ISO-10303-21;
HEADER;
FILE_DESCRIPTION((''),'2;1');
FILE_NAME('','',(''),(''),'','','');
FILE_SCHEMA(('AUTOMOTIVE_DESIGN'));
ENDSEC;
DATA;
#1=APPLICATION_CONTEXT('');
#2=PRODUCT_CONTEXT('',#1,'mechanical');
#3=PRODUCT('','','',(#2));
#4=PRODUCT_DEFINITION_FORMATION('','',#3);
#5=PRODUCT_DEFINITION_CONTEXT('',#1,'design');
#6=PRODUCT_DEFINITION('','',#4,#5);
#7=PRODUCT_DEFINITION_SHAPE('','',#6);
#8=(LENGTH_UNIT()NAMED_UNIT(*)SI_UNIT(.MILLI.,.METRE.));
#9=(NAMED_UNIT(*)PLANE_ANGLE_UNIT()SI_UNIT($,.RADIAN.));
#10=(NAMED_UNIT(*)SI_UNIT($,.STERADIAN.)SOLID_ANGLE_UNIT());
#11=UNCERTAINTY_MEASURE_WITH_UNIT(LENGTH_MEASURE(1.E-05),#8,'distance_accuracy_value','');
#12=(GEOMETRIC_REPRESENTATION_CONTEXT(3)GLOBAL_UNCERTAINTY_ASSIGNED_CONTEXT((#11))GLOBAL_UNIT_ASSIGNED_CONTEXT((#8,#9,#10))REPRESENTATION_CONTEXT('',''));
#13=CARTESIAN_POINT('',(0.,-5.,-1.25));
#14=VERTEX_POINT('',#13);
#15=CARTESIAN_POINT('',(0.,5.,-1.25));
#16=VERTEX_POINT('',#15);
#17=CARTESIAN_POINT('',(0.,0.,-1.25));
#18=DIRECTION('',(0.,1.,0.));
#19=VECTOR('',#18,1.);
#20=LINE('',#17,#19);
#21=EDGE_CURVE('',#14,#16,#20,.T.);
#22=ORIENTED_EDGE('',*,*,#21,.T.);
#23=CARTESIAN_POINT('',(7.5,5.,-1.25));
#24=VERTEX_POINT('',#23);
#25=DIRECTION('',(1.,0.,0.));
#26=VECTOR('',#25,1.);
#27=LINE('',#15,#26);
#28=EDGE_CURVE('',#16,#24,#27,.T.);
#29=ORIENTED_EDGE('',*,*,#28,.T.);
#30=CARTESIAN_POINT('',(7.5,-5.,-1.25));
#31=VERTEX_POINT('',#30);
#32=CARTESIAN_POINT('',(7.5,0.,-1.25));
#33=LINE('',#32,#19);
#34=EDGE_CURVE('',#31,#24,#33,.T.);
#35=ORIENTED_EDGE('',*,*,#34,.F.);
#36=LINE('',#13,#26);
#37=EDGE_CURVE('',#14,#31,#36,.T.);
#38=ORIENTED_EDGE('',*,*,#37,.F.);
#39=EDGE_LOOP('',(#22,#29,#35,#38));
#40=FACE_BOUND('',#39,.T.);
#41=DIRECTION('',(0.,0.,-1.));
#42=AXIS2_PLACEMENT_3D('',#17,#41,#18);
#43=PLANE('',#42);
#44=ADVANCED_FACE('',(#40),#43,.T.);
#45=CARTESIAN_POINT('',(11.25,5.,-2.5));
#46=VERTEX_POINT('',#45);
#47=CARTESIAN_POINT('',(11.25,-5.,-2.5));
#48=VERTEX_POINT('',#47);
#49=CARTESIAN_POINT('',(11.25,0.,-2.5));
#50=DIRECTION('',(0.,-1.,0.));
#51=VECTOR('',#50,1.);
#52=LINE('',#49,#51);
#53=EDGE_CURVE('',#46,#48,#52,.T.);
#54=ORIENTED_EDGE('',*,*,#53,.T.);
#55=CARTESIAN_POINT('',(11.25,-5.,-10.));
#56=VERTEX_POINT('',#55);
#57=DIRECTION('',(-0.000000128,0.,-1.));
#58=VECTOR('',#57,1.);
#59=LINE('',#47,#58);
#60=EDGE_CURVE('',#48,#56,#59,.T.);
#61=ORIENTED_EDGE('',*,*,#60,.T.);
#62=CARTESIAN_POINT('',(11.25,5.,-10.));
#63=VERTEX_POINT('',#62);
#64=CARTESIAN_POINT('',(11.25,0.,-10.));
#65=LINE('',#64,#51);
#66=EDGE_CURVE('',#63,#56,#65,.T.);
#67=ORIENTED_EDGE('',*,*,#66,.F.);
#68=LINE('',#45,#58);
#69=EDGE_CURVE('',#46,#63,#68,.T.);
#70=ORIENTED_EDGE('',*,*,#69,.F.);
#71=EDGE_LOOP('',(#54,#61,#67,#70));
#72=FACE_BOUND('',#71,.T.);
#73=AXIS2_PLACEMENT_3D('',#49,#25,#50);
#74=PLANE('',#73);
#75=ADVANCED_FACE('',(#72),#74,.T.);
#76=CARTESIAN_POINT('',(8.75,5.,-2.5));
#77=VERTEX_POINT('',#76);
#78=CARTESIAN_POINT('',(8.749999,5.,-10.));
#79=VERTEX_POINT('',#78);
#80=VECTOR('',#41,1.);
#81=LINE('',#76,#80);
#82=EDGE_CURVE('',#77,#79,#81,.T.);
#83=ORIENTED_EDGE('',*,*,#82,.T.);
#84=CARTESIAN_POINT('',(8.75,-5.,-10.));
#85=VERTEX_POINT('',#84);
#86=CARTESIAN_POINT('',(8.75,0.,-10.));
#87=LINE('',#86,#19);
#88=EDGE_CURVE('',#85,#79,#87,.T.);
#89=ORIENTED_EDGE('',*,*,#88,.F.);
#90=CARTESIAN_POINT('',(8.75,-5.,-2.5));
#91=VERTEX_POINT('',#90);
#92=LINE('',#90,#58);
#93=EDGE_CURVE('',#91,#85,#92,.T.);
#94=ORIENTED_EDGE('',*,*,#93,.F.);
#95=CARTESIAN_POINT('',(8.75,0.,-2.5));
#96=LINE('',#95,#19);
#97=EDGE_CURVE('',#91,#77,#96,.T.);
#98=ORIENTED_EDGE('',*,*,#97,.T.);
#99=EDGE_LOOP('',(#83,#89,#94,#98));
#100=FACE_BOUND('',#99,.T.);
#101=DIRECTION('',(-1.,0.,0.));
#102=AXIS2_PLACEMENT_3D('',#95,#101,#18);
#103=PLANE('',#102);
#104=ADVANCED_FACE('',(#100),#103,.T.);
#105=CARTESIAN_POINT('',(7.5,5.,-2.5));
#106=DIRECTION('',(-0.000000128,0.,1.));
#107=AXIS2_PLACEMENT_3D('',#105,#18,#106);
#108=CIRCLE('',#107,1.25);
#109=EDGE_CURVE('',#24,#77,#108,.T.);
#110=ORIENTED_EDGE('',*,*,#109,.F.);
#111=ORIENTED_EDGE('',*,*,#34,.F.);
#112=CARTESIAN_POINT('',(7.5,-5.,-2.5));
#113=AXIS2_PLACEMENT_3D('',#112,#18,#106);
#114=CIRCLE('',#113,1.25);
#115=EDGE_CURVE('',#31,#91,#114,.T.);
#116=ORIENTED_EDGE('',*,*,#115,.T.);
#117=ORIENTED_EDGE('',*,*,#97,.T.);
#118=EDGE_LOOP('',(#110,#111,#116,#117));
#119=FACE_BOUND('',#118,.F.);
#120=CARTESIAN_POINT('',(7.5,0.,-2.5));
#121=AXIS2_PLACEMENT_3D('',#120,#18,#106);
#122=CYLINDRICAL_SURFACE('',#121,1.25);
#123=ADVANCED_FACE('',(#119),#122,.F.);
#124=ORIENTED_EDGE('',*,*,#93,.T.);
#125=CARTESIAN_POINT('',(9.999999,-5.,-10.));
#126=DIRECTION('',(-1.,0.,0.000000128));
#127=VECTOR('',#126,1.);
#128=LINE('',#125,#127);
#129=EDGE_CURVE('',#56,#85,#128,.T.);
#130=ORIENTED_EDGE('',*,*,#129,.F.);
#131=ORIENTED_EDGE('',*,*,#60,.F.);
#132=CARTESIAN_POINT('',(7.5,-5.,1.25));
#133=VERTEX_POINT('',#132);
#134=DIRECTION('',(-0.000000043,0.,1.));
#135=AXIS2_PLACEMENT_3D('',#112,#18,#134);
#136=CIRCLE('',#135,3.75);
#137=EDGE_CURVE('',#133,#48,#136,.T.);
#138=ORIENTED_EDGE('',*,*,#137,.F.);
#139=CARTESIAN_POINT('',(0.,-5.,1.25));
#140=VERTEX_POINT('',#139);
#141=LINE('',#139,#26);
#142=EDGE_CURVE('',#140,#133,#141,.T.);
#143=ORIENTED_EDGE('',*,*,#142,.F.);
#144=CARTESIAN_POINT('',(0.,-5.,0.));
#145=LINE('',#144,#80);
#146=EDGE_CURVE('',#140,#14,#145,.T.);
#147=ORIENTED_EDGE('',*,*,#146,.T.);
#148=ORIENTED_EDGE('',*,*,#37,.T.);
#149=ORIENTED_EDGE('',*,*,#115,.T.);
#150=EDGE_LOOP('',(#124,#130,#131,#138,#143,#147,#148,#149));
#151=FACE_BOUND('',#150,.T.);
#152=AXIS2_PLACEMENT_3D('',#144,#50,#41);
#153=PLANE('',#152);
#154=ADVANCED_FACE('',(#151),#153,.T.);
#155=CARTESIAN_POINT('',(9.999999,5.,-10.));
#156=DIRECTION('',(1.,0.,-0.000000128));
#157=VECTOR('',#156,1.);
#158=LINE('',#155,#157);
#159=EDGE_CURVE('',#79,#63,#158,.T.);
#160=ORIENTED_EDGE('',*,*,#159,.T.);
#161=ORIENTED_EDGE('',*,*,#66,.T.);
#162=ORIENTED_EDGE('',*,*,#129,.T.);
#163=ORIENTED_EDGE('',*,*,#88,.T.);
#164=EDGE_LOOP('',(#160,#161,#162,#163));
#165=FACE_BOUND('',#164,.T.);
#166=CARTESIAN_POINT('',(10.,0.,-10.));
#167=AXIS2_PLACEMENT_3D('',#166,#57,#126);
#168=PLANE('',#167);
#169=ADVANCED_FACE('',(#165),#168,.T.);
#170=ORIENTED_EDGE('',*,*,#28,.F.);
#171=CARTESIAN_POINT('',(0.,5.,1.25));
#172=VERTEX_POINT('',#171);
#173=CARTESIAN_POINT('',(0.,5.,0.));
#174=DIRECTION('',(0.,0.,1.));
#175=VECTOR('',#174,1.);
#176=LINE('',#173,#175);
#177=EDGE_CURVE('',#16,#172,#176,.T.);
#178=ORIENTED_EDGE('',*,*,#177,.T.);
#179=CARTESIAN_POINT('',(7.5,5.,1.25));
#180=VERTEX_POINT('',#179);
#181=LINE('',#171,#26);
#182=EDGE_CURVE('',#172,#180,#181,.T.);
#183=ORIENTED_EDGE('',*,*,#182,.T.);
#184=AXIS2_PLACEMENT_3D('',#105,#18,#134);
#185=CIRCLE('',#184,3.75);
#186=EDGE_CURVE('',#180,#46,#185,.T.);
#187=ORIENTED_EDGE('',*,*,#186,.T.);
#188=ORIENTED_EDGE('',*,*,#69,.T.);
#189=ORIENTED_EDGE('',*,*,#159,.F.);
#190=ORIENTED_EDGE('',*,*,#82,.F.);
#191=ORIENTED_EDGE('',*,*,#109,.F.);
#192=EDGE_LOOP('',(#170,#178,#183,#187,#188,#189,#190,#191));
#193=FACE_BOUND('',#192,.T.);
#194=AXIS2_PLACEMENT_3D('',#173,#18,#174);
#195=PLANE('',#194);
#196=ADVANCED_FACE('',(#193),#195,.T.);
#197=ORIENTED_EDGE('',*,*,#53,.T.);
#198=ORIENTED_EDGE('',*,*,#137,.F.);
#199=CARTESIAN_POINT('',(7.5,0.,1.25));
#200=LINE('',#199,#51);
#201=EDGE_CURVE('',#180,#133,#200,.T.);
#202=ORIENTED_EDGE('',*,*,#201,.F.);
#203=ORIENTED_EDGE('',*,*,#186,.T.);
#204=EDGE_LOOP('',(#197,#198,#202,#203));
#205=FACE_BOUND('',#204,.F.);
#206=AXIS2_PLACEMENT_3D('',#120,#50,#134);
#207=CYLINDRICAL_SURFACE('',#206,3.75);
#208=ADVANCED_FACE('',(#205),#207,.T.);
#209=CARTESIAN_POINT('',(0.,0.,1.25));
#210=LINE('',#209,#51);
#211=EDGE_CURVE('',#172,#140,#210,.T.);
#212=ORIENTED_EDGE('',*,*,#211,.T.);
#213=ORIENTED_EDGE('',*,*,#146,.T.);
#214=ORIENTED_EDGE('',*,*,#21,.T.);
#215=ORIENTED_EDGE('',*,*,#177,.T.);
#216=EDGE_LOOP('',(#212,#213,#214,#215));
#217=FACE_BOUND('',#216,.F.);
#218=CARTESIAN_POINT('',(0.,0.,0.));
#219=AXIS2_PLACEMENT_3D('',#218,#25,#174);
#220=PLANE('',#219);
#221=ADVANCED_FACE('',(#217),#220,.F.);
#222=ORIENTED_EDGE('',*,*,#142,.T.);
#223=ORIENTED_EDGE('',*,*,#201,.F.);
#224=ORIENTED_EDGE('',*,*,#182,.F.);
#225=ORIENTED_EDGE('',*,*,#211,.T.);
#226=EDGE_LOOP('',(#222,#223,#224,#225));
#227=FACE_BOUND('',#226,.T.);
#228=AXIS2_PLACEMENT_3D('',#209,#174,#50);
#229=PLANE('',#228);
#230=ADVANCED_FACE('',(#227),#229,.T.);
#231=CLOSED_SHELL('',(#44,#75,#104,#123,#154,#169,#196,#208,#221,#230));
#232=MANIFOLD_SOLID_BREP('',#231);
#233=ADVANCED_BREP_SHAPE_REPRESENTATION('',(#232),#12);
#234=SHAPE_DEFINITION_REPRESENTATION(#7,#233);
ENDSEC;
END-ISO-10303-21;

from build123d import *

# Parameters (mm, degrees)
F1_W = 10
F1_H = 2.5


with BuildPart() as f2:
    # F2: sweep along a path in F0
    with BuildLine(Plane.XZ) as f2_path:
        Line((0, 0), (7.5, 0))
        ThreePointArc((7.5, 0), (9.267767, -0.732233), (10, -2.5))
        Line((10, -2.5), (10, -10))
    # F1 (on Right) → F2 (sweep)
    with BuildSketch(Plane.YZ):
        Rectangle(F1_W, F1_H)
    sweep(path=f2_path.line)


solid = f2.part
